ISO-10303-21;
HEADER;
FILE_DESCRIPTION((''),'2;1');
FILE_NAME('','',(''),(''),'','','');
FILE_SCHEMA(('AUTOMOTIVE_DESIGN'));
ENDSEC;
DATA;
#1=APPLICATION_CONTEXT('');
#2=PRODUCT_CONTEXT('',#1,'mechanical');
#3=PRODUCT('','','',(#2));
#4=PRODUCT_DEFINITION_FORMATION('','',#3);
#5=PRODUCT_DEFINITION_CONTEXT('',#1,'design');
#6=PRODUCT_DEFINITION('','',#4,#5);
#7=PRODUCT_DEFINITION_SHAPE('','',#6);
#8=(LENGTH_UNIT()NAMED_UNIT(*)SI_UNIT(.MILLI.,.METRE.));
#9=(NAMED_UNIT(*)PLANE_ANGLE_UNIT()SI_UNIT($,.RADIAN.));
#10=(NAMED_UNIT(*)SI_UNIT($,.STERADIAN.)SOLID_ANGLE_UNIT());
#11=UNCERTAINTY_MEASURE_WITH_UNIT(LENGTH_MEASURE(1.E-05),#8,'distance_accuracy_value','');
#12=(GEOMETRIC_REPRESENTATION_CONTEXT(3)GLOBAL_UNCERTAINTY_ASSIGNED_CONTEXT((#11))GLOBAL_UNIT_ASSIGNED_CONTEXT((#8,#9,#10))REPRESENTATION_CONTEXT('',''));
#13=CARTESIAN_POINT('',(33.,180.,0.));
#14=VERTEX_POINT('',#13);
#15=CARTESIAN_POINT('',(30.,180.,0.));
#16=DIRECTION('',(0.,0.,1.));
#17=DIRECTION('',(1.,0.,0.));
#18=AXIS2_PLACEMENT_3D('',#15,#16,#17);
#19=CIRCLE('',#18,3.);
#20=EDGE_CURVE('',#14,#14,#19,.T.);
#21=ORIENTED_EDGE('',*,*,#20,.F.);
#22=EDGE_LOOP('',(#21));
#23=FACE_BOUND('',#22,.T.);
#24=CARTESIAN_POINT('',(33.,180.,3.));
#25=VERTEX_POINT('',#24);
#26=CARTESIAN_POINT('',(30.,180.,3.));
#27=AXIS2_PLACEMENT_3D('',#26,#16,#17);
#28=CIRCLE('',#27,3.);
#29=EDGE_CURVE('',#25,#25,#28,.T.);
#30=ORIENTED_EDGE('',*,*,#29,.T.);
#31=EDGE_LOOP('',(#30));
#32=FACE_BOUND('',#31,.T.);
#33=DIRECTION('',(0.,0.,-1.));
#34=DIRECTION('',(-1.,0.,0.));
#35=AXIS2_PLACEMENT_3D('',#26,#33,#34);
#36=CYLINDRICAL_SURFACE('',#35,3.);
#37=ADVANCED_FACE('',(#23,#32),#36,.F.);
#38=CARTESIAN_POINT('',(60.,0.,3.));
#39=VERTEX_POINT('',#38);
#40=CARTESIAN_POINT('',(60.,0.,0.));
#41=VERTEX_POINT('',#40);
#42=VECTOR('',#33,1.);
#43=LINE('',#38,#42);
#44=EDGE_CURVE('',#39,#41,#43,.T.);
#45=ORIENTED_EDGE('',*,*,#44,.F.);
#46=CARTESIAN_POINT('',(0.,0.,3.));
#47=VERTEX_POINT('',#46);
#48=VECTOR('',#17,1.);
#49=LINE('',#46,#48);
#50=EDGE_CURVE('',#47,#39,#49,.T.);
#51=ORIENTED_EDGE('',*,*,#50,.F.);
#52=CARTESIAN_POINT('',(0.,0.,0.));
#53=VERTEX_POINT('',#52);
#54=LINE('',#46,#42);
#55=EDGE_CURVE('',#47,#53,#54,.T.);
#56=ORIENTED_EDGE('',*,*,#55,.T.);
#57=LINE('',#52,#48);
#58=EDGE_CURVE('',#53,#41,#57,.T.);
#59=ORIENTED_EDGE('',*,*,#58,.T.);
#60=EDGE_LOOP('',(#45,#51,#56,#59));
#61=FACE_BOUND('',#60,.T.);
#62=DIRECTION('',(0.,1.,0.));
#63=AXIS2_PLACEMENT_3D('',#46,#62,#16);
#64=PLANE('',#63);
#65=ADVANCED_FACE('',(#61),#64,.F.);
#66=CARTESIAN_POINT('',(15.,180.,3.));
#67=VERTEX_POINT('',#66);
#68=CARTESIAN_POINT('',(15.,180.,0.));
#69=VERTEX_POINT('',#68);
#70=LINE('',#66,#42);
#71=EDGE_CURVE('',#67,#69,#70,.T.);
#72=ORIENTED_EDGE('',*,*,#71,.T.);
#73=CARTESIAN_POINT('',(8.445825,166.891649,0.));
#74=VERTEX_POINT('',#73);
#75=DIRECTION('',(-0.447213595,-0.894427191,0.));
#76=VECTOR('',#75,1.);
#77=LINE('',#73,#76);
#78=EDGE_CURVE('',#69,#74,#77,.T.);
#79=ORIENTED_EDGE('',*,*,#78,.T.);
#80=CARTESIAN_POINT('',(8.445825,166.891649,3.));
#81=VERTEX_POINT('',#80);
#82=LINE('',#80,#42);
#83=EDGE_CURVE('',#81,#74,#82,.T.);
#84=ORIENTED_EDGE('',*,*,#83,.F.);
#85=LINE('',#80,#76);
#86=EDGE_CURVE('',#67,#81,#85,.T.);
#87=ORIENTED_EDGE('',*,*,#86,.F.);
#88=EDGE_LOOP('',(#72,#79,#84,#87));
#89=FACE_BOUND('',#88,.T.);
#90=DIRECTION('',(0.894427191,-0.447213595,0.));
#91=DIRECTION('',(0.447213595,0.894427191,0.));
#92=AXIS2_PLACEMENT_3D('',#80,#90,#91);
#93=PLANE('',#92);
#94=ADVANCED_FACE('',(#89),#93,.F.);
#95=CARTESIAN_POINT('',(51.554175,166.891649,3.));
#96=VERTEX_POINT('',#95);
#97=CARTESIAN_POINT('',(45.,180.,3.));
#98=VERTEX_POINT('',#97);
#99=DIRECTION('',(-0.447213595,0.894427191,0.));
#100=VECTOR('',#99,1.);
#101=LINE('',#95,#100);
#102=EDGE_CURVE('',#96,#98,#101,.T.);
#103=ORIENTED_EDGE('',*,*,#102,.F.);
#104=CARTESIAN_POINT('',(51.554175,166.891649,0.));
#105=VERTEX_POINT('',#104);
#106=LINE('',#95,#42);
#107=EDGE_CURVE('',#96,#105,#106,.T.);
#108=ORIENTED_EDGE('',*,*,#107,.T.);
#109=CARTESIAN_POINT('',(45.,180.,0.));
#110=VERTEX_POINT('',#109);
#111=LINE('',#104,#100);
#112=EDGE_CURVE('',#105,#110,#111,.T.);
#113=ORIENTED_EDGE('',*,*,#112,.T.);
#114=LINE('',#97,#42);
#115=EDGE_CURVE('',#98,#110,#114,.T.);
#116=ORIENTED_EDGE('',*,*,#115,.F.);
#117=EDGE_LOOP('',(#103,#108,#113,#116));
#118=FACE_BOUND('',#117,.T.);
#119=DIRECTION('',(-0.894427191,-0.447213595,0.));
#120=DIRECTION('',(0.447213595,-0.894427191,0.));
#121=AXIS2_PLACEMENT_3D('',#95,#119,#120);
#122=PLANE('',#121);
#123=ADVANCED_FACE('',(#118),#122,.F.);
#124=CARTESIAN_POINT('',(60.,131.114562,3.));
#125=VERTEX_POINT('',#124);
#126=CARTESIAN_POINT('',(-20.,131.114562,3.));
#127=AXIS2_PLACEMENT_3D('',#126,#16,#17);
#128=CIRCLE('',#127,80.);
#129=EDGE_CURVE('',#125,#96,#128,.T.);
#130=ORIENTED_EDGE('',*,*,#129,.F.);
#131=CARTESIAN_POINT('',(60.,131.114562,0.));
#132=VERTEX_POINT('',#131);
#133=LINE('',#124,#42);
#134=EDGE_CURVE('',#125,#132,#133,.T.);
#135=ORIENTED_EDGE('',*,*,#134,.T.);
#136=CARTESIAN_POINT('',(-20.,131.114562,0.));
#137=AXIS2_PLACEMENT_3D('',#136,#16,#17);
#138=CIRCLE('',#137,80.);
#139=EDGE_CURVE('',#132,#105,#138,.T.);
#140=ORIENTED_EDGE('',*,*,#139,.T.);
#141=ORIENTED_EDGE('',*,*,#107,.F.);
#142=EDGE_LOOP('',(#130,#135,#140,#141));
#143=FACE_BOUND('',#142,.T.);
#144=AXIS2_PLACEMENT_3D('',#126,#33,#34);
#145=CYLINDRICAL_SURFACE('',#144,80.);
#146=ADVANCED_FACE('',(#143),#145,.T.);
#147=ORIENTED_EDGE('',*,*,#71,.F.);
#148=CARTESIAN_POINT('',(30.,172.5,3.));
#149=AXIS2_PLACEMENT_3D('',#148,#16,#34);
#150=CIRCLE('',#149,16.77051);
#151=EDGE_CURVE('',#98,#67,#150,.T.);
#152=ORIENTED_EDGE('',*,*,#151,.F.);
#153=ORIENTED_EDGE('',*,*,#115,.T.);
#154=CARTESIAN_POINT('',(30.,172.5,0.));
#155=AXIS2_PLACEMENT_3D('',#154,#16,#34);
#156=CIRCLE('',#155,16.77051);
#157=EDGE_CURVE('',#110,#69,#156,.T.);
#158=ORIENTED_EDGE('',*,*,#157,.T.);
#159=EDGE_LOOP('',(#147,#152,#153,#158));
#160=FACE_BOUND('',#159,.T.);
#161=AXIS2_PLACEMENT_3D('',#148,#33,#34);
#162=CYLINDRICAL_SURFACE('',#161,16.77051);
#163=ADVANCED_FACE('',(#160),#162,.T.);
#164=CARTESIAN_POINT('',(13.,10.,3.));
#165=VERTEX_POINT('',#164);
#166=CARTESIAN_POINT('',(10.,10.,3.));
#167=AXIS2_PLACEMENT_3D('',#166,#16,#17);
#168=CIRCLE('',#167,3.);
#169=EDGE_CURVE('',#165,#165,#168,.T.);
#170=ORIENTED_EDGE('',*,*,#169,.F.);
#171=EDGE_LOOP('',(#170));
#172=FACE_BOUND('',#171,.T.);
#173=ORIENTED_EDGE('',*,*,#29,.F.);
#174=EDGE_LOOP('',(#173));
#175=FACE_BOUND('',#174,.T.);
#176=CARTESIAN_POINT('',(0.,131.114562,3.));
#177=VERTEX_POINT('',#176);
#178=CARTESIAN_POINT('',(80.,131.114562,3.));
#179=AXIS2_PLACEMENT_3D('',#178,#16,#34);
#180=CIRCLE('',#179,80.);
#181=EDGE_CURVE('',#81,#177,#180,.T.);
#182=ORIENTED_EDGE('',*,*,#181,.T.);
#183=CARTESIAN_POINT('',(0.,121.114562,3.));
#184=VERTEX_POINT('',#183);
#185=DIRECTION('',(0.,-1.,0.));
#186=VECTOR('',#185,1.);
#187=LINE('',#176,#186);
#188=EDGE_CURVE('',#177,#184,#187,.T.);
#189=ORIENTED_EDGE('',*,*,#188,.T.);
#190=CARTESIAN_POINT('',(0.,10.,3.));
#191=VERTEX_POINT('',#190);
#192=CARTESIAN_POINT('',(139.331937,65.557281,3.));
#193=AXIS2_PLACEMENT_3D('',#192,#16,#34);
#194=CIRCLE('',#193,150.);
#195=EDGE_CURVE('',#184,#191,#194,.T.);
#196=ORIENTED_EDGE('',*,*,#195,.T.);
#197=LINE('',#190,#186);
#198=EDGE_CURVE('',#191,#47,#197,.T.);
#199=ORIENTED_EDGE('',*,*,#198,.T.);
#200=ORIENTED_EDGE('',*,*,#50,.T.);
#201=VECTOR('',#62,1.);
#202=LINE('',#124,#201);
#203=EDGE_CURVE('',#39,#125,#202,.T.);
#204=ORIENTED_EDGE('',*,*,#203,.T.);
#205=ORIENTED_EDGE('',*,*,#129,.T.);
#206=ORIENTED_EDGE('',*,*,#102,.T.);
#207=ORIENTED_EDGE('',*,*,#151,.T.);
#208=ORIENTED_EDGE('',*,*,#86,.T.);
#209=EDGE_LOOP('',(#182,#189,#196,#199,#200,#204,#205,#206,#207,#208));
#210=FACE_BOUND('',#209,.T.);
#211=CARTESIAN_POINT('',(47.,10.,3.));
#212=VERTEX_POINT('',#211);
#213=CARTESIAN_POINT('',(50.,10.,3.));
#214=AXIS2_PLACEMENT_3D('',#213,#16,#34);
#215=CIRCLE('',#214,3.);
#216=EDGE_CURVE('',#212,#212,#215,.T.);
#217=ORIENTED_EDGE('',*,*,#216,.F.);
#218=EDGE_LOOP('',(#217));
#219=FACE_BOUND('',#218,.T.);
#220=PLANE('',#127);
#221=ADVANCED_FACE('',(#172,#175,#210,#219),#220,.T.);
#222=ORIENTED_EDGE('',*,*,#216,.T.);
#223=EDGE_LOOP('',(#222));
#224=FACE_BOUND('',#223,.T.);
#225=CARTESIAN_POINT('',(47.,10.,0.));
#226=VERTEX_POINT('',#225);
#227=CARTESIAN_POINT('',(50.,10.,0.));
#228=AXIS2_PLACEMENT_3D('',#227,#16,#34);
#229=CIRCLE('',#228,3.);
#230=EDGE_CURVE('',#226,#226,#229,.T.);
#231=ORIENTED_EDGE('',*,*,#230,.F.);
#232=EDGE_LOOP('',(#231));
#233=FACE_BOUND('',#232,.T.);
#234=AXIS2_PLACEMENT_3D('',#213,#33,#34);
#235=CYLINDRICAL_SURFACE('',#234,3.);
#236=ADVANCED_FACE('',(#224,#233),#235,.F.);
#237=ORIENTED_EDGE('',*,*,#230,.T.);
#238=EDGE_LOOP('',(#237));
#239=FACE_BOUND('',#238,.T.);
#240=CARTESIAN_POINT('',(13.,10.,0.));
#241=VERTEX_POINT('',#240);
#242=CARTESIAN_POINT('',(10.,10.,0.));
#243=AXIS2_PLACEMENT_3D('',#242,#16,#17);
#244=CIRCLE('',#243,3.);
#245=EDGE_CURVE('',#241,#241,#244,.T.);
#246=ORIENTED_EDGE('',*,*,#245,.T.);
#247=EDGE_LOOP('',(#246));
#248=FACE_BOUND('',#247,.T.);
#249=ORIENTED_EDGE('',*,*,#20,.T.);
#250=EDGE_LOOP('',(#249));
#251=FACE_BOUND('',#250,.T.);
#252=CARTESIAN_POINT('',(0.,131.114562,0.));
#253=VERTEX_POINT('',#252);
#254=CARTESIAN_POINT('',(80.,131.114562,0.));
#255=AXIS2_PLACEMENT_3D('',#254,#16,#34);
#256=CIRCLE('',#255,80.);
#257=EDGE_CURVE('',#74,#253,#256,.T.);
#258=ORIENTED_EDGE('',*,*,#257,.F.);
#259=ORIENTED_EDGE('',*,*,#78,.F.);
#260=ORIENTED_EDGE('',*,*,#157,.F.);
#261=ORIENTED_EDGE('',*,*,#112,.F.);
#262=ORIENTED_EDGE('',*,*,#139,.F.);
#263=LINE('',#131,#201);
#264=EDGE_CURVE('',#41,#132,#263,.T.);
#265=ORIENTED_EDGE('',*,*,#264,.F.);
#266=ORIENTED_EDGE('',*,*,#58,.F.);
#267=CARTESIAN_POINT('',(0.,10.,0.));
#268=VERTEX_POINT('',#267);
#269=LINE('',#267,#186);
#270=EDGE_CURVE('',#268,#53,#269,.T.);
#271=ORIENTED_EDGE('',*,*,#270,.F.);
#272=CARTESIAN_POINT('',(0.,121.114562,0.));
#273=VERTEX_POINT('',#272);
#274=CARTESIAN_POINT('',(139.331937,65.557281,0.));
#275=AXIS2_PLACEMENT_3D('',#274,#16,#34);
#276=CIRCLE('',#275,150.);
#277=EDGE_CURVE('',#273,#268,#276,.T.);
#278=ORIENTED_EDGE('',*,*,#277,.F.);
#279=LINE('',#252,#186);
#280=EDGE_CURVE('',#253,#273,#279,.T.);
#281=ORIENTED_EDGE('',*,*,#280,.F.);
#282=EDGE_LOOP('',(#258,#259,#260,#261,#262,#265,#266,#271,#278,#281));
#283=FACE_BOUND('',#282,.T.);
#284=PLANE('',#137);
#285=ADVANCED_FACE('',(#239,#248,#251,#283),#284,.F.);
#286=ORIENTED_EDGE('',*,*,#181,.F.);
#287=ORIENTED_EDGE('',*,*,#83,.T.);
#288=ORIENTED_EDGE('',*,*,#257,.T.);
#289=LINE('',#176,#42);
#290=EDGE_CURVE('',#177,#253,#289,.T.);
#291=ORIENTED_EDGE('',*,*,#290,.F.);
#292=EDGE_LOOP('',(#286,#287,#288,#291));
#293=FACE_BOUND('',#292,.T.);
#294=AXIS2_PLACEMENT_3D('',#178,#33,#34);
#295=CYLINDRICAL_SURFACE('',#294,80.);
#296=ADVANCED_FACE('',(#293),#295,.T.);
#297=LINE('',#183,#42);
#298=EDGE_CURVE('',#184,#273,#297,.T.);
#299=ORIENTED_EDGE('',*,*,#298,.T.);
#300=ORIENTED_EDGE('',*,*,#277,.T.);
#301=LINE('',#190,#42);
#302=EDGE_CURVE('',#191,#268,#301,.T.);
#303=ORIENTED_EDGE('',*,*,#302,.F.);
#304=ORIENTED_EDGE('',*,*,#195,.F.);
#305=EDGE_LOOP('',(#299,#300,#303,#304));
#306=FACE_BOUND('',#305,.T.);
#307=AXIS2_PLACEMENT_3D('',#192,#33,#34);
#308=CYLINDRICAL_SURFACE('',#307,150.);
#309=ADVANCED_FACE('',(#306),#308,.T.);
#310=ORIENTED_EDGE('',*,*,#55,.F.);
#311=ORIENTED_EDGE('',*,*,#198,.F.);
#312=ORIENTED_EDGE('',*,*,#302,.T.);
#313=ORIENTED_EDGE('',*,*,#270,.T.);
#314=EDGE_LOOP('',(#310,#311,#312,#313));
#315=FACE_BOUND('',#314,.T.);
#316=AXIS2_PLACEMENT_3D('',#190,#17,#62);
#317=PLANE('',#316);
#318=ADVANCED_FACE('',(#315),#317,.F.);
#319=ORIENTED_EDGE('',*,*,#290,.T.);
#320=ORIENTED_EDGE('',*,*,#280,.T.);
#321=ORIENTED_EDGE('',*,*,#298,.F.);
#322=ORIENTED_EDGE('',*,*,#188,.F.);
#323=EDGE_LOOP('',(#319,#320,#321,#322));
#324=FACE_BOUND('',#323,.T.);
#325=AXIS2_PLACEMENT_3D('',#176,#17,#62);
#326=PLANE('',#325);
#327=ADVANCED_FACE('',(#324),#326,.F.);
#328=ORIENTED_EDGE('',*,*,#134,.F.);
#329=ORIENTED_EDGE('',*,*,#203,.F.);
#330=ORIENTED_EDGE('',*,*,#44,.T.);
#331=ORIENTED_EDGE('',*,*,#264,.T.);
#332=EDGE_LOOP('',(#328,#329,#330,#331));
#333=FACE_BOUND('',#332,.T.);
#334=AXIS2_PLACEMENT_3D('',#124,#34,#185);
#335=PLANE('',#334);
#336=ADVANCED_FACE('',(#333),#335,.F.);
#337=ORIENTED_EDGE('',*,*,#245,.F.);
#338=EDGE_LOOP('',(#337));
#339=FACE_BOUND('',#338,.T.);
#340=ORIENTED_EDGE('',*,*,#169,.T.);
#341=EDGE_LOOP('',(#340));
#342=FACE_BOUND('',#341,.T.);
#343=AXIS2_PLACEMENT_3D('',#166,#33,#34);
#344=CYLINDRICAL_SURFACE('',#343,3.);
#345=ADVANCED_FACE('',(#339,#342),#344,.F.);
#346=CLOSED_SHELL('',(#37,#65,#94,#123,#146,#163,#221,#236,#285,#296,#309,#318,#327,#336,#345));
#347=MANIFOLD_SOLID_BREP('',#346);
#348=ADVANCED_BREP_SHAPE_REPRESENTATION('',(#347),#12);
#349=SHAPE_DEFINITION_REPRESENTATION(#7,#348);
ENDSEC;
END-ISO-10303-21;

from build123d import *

# Parameters (mm, degrees)
SKETCH_1_R      = 3
EXTRUDE_1_DEPTH = 3


with BuildPart() as part:
    # 草图1 → 凸台-拉伸1 (new body)
    with BuildSketch(Plane.XY):
        with BuildLine():
            Line((8.44582472, 166.89164944), (15, 180))
            ThreePointArc((15, 180), (30, 189.270509831), (45, 180))
            Line((45, 180), (51.55417528, 166.89164944))
            ThreePointArc((51.55417528, 166.89164944), (57.859919157, 149.494795444), (60, 131.1145618))
            Line((60, 131.1145618), (60, 0))
            Line((60, 0), (0, 0))
            Line((0, 0), (0, 10))
            ThreePointArc((0, 10), (-10.668063464, 65.5572809), (0, 121.1145618))
            Line((0, 121.1145618), (0, 131.1145618))
            ThreePointArc((0, 131.1145618), (2.140080843, 149.494795444), (8.44582472, 166.89164944))
        make_face()
        with Locations((50, 10)):
            Circle(SKETCH_1_R, mode=Mode.SUBTRACT)
        with Locations((30, 180)):
            Circle(SKETCH_1_R, mode=Mode.SUBTRACT)
        with Locations((10, 10)):
            Circle(SKETCH_1_R, mode=Mode.SUBTRACT)
    extrude(amount=EXTRUDE_1_DEPTH)


solid = part.part
